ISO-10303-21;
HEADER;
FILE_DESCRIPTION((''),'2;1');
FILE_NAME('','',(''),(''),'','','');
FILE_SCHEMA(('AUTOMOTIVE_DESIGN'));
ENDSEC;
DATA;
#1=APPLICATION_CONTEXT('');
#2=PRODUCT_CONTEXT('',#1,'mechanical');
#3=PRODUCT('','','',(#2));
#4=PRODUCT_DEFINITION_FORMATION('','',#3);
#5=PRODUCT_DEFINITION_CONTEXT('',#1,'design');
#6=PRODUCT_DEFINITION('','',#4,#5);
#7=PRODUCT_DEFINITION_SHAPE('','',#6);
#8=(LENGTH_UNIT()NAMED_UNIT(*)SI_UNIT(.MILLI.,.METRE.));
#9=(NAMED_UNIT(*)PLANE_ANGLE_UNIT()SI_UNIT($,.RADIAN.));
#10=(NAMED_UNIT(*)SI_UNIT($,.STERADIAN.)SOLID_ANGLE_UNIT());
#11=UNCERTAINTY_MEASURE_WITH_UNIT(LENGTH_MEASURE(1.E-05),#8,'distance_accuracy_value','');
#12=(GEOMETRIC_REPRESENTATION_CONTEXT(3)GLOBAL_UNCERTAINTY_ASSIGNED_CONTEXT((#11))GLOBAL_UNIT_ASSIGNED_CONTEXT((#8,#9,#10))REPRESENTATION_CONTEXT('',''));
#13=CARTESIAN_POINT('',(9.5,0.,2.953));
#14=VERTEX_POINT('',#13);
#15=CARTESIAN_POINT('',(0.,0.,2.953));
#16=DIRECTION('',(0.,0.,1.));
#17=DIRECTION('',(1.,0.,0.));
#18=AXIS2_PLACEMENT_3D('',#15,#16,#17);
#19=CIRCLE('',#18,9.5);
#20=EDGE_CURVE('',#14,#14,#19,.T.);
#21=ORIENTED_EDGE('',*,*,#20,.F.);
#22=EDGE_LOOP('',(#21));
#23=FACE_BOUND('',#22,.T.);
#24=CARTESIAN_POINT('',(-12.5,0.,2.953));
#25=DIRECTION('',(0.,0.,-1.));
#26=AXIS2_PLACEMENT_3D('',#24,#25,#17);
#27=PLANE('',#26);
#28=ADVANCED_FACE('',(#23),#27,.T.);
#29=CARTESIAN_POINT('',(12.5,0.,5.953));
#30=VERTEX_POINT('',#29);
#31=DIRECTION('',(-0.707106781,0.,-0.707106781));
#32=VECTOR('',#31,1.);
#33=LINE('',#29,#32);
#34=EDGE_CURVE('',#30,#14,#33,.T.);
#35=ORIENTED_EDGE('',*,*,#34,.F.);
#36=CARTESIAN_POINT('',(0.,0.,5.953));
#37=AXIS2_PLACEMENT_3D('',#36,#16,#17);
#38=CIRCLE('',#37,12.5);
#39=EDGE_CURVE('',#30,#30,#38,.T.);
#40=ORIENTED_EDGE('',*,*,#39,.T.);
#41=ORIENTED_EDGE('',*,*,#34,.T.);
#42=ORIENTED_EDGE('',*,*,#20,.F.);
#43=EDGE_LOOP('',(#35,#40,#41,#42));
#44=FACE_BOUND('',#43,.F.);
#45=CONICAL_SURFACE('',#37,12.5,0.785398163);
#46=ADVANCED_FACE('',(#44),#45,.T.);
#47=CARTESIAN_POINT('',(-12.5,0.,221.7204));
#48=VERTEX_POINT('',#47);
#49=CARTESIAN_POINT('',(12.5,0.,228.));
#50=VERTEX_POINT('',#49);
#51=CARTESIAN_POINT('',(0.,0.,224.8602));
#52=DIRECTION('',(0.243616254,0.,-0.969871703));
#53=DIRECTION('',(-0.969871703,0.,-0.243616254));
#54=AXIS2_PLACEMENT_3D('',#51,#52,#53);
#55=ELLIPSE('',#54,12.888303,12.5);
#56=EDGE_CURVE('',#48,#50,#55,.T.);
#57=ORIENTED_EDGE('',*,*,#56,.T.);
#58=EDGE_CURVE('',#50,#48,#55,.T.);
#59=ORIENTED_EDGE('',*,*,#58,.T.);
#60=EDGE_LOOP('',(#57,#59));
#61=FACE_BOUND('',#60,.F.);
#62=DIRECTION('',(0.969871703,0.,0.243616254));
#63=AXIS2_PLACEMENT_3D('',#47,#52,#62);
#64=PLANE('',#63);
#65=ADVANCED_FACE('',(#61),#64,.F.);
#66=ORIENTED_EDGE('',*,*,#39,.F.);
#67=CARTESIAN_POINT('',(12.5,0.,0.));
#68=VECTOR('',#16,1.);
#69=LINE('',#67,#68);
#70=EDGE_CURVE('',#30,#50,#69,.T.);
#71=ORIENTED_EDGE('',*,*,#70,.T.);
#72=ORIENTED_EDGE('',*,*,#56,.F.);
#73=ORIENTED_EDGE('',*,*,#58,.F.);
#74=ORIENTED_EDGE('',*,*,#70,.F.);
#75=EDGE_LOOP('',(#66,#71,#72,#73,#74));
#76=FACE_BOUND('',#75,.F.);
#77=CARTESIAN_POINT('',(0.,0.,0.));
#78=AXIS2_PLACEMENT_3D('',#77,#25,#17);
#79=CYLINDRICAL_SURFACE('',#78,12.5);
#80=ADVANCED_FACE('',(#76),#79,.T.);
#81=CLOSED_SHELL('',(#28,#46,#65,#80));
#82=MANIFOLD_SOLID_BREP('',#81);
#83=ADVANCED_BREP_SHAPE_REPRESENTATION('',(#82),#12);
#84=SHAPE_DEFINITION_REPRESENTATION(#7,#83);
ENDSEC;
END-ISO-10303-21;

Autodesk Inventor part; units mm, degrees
ref_plane "YZ Plane" through (0, 0, 0) normal (1, 0, 0) x (0, 1, 0)
ref_plane "XZ Plane" through (0, 0, 0) normal (0, 1, 0) x (-1, 0, 0)
ref_plane "XY Plane" through (0, 0, 0) normal (0, 0, 1) x (1, 0, 0)
sketch "Sketch1" plane through (0, 0, 0) normal (0, 0, 1) x (1, 0, 0)
  circle A0 centre (0, 0) radius 12.5
  dimension "d0" = 25
extrude "Extrusion1" add sketch "Sketch1" along normal blind 228
sketch "Sketch2" plane through (0, 0, 0) normal (0, 1, 0) x (-1, 0, 0)
  line L0 (12.5, 228) -> (-12.5, 228) projected
  line L1 (-12.5, 0) -> (12.5, 0) projected
  line L2 (12.5, 0) -> (12.5, 228) projected
  line L3 (12.5, 228) -> (-12.5, 228) projected
  line L4 (12.5, 221.7204) -> (-12.5, 228)
  point P0 (0, 0)
  dimension "d5" = 14.1
extrude "Extrusion2" cut sketch "Sketch2" along normal through all both and the other way through all
sketch "Sketch3" plane through (0, 0, 0) normal (0, 1, 0) x (-1, 0, 0)
  line L0 (12.5, 0) -> (12.5, 221.7204) projected
  line L1 (-12.5, 0) -> (-12.5, 228) projected
  line L2 (-12.5, 0) -> (12.5, 0) projected
  line L3 (12.5, 2.953) -> (-12.5, 2.953)
  line L4 (-12.5, 2.953) -> (-12.5, 0)
  line L5 (-12.5, 0) -> (12.5, 0)
  line L6 (12.5, 0) -> (12.5, 2.953)
  point P0 (0, 0)
  dimension "d6" = 2.953
extrude "Extrusion3" cut sketch "Sketch3" along normal through all both and the other way through all
chamfer "Chamfer1" distance 3 angle 45 1 edges at (-12.5, 0, 2.953)
equation "\"d0\" = trappestifter_dia"
equation "\"d1\" = trappestifter_laengde"
equation "\"trappestifter_dia\" = 25"
equation "\"trappestifter_laengde\" = 228"
equation "\"perforeringsbredde\" = 6"
equation "\"perforeringshullaengde\" = 62.8"
equation "\"perforeringsoffset\" = 8"
equation "\"perforeringsoffset_top\" = 8"
equation "\"perforeringsoffset_bund\" = 8"
equation "\"laskehul_dia\" = 13"
equation "\"perforeringshullaengde_bund\" = 61.6"
equation "\"perforeringshullaengde_top\" = 61"
equation "\"trappestifter_huldia\" = 25.8"
equation "\"trappestifter_skraa_huldia\" = 26.6"
equation "\"trappevinkel\" = 34.3deg"
equation "\"balusterhul_udvidelse\" = 1"
equation "\"pladetykkelse\" = 3"
equation "\"trinbredde\" = 1884"
properties part number "trappestift skrå" material "S355J2"
